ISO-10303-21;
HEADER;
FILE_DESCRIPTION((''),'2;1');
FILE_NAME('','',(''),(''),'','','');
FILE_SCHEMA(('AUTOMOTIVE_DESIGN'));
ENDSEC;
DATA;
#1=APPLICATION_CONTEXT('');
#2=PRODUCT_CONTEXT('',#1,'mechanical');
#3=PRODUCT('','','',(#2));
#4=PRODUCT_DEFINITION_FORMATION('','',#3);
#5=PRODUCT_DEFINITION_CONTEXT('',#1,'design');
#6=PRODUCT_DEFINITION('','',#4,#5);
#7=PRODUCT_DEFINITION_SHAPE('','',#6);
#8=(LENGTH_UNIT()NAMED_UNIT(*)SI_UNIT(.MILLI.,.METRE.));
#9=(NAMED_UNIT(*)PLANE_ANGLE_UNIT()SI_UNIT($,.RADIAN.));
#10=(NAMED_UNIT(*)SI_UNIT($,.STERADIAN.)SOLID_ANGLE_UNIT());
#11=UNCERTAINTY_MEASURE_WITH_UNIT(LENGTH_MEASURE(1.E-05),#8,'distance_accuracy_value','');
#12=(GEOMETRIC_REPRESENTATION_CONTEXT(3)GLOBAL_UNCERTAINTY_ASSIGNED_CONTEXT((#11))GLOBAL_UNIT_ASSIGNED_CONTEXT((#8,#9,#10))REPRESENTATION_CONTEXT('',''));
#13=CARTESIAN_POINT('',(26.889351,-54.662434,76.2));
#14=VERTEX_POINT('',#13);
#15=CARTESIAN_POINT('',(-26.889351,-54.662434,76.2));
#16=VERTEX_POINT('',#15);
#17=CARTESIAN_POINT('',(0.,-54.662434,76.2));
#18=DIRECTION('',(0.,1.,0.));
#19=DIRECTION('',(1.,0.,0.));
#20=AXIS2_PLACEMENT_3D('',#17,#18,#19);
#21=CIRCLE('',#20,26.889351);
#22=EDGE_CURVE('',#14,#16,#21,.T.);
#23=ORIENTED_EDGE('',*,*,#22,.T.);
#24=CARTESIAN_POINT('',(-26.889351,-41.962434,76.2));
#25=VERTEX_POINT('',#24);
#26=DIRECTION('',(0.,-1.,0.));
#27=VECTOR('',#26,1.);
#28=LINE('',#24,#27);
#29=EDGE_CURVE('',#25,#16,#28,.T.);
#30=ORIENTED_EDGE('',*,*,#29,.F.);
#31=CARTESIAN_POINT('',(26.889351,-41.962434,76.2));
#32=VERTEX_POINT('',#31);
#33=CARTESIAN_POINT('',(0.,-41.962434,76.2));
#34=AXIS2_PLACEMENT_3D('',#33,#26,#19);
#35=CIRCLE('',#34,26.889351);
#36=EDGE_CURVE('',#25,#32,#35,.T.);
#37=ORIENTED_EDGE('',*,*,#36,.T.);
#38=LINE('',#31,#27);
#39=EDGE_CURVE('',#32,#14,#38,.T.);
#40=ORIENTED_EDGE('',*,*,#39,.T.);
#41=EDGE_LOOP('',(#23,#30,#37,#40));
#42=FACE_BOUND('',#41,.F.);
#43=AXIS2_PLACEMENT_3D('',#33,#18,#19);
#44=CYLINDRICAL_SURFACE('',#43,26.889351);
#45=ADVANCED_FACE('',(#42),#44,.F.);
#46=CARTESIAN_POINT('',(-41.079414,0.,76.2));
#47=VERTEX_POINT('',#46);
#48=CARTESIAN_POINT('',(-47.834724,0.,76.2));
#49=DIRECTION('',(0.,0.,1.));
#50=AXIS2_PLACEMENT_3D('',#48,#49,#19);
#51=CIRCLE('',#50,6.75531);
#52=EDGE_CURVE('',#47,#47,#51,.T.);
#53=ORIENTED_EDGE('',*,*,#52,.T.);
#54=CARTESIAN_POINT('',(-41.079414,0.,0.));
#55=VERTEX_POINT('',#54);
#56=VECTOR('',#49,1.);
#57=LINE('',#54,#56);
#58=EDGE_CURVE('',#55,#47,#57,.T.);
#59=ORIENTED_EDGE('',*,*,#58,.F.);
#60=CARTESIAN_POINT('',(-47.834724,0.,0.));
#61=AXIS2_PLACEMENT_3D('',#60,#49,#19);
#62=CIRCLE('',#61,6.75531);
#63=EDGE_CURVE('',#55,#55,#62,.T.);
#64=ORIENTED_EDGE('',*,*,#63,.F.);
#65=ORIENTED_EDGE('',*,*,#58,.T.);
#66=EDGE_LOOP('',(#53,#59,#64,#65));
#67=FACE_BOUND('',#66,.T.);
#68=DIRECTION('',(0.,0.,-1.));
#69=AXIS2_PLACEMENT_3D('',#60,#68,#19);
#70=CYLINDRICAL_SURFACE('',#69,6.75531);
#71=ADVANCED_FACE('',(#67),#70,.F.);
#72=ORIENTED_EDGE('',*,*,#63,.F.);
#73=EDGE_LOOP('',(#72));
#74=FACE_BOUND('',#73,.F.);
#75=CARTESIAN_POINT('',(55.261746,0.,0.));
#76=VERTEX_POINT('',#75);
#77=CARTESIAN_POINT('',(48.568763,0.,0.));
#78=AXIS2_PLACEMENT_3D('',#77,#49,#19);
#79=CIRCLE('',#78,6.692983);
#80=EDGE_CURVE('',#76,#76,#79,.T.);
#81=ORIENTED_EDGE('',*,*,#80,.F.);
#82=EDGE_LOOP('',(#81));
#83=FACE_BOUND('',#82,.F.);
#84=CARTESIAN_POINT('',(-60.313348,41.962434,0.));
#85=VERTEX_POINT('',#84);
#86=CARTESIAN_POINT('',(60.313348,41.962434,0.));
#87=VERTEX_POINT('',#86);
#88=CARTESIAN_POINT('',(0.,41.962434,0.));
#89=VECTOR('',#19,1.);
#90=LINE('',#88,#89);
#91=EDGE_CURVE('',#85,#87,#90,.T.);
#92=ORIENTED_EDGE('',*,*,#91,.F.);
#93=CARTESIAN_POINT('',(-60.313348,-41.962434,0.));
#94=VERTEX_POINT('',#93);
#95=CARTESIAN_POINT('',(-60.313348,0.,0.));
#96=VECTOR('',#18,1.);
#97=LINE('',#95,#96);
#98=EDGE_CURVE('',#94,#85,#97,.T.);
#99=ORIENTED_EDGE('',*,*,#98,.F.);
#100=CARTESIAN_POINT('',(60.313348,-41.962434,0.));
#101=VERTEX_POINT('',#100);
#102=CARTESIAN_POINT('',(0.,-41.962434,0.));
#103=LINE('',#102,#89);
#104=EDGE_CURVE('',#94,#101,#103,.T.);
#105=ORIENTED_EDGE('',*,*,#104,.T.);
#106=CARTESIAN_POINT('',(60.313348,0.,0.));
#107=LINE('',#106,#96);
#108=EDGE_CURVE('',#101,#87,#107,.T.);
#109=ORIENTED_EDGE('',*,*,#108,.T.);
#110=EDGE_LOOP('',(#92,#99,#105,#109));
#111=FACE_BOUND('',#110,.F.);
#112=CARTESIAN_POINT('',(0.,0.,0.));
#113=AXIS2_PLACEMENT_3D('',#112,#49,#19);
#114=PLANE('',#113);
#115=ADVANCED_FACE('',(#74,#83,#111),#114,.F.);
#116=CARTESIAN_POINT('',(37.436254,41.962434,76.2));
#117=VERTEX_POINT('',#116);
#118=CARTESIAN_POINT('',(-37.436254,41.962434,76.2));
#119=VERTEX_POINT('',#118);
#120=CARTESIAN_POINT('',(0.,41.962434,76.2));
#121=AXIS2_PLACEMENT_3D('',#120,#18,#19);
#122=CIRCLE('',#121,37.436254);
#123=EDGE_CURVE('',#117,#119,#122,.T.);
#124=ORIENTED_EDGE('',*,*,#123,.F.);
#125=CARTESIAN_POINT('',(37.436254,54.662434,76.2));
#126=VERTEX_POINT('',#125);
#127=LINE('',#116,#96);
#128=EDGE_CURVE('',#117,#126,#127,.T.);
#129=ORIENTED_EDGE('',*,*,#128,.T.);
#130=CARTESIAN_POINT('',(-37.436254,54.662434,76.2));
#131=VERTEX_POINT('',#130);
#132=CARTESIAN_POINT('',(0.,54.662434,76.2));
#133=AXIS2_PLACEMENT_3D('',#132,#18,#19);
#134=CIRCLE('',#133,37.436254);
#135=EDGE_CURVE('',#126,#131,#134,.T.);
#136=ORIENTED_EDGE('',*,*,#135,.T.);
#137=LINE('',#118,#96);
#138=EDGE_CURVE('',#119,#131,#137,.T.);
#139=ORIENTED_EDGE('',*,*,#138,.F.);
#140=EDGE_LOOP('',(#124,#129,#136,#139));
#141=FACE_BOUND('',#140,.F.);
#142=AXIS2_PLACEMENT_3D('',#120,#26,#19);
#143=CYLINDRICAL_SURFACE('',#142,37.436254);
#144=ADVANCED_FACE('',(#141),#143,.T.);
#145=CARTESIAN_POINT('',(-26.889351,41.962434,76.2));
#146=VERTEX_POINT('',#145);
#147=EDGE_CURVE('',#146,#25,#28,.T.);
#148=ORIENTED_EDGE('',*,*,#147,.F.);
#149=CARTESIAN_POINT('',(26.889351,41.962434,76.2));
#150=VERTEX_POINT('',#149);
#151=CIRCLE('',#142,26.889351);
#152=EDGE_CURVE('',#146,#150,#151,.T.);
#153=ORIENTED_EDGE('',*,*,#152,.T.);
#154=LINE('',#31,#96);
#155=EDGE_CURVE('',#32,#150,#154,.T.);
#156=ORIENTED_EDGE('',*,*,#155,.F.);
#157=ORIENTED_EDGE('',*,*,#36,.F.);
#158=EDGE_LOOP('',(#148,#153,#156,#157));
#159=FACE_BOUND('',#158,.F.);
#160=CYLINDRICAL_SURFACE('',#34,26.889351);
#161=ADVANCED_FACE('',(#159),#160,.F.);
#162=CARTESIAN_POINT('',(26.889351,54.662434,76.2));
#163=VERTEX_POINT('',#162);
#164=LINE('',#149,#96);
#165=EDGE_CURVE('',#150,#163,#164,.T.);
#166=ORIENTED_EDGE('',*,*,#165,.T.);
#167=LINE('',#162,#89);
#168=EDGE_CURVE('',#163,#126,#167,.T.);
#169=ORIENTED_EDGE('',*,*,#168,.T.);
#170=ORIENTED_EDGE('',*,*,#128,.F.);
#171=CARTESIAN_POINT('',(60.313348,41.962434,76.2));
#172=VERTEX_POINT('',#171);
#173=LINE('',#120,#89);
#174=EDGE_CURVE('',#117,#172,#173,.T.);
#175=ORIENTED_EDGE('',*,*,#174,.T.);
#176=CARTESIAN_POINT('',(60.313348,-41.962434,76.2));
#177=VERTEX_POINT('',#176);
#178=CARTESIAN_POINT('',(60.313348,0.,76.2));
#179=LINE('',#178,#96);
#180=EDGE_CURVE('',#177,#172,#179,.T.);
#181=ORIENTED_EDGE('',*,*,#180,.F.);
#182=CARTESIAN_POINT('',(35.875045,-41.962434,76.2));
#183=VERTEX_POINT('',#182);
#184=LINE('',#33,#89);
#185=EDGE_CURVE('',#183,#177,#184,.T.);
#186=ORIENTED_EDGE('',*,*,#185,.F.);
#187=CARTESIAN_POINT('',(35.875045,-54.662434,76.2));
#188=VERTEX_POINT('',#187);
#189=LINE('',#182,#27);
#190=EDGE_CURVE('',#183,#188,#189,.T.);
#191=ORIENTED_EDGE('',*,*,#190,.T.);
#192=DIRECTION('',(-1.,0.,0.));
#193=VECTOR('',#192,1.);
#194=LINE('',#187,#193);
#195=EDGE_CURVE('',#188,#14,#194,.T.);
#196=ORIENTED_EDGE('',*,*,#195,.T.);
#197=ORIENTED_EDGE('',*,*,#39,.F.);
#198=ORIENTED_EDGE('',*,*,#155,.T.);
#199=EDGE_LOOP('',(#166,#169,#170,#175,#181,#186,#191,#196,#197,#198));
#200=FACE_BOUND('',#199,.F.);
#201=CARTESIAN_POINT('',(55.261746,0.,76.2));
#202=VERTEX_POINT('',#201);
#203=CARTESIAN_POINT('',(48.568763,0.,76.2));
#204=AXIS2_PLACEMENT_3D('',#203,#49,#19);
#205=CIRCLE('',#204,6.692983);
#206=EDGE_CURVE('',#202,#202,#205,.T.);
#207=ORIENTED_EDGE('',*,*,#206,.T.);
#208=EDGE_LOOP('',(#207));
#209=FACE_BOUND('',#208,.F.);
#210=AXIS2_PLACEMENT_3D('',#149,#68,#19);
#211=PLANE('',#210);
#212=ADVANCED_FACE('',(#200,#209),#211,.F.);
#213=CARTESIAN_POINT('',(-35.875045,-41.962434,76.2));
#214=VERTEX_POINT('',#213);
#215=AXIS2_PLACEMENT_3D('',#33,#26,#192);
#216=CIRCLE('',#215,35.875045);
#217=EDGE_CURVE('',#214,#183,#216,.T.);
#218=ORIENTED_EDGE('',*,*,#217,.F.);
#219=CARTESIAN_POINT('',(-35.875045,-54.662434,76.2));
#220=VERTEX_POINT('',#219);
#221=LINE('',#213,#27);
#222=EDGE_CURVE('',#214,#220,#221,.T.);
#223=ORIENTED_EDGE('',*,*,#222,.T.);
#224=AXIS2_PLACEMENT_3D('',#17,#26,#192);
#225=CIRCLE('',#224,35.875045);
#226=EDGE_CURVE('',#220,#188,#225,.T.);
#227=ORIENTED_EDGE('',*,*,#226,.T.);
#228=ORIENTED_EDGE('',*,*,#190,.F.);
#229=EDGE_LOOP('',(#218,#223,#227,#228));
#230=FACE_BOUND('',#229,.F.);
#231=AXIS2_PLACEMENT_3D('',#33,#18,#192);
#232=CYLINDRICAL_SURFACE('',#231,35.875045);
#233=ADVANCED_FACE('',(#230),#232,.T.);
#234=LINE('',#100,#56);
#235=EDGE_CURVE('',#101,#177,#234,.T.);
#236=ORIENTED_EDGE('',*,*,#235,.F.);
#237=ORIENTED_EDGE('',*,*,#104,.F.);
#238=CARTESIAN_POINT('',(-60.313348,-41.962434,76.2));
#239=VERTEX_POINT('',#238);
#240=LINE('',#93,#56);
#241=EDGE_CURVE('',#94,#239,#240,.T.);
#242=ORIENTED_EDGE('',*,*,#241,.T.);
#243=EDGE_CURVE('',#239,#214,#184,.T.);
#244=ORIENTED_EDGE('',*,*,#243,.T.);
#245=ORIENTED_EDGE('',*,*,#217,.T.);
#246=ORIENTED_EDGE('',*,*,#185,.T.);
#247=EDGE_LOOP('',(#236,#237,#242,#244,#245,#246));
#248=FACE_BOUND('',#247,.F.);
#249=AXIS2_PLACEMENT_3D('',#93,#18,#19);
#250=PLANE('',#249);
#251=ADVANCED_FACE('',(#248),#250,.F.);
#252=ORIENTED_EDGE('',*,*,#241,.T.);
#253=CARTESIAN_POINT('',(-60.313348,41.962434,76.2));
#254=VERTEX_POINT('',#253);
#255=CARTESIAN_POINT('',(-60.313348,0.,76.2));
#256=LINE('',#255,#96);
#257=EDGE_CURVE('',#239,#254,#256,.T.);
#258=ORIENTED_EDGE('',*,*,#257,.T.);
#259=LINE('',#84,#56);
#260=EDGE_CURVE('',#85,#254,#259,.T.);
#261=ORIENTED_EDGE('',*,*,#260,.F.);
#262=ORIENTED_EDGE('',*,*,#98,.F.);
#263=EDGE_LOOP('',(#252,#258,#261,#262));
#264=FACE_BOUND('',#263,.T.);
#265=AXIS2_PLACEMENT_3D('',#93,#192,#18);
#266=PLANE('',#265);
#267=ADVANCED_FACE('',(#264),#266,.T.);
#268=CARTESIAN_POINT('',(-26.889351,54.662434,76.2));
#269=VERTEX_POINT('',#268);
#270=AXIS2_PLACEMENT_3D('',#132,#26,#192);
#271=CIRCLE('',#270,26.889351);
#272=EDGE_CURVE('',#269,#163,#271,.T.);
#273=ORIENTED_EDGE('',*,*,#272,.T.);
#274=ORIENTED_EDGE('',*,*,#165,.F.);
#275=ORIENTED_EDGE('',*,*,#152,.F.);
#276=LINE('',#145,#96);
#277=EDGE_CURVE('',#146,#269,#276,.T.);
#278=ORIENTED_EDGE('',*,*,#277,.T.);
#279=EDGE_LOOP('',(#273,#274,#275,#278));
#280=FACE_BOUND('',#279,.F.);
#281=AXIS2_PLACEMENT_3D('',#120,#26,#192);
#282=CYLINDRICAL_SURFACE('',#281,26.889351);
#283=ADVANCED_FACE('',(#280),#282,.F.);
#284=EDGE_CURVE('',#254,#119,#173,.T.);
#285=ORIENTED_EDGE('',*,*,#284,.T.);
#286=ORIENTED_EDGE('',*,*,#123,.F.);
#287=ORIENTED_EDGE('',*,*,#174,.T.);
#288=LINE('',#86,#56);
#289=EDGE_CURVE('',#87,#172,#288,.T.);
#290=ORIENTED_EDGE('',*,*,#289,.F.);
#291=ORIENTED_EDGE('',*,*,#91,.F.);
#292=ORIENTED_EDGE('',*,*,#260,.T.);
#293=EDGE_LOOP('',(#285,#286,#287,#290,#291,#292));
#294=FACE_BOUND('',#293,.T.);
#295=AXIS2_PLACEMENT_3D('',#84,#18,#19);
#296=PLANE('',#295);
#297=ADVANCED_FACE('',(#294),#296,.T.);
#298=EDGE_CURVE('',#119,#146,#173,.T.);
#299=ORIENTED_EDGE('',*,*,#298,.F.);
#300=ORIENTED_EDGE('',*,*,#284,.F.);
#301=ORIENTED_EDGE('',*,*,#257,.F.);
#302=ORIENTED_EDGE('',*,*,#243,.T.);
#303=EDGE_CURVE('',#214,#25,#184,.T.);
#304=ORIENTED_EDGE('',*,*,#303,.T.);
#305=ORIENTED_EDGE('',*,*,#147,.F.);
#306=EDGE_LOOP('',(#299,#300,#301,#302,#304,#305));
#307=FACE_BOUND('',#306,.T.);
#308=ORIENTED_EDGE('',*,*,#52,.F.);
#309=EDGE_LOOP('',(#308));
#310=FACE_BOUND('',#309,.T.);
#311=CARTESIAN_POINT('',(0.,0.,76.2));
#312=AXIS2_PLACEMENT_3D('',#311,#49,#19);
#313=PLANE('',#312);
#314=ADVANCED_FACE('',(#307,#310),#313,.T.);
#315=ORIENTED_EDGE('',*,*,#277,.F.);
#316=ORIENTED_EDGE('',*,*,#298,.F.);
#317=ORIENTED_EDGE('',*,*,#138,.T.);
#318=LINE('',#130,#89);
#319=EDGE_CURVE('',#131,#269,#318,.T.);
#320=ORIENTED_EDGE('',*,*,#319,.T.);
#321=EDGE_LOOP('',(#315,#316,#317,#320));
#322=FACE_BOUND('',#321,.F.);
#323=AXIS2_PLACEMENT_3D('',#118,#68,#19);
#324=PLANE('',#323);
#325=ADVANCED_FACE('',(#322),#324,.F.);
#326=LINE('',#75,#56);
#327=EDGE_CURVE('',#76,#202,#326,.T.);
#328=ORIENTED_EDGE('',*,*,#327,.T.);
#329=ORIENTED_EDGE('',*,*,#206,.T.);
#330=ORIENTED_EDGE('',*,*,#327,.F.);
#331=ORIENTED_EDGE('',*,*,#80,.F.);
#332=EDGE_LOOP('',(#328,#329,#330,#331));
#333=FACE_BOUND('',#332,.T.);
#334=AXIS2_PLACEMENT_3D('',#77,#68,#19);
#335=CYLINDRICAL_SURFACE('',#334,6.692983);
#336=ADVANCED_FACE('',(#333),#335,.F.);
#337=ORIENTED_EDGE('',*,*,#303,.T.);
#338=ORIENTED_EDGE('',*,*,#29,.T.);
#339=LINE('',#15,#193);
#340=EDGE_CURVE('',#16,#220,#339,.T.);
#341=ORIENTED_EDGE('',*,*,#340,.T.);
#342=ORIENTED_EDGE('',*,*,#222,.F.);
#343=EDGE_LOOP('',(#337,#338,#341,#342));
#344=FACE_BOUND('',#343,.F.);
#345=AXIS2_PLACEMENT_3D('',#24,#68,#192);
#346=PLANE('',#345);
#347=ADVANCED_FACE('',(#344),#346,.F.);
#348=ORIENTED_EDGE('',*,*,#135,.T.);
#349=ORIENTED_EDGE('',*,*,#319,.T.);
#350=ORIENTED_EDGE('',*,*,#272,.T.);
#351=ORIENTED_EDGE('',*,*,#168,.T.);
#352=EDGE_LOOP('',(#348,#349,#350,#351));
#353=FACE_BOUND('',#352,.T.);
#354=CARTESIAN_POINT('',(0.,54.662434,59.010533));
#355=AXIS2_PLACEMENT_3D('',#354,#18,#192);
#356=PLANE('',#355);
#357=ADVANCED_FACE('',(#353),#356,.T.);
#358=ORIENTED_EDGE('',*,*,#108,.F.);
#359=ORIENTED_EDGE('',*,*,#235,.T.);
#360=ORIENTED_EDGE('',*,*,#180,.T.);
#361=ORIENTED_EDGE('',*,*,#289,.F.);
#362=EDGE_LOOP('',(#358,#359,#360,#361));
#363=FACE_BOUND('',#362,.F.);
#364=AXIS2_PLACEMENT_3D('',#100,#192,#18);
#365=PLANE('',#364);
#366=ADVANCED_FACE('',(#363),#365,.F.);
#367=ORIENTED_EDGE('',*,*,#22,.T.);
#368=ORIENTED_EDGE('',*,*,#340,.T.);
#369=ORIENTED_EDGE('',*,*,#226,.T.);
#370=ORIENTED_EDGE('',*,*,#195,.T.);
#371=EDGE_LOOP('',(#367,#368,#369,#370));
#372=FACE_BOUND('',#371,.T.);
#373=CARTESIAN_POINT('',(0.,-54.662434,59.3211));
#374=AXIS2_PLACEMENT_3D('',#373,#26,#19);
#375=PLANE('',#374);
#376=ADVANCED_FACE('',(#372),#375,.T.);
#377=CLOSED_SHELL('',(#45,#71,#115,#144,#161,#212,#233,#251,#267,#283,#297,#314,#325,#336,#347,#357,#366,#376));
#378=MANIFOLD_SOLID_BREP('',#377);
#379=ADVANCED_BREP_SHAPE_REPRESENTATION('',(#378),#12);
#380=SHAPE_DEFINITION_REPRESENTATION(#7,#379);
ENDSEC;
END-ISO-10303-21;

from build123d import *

# Parameters (mm, degrees)
F0_W     = 120.626696
F0_H     = 83.924868
F0_R     = 6.75531
F0_R_2   = 6.692983
F1_DEPTH = 76.2
F2_R     = 26.889351
F3_DEPTH = 101.6
F5_DEPTH = 12.7
F7_DEPTH = 12.7


with BuildPart() as f1:
    # F0 (on Top) → F1 (new body)
    with BuildSketch(Plane.XY):
        Rectangle(F0_W, F0_H)
        with Locations((-47.834724, 0)):
            Circle(F0_R, mode=Mode.SUBTRACT)
        with Locations((48.568763, 0)):
            Circle(F0_R_2, mode=Mode.SUBTRACT)
    extrude(amount=F1_DEPTH)

    # F2 (on face) → F3 (cut)
    with BuildSketch(Plane.XZ.offset(41.962434)):
        with Locations((0, 76.2)):
            Circle(F2_R)
    extrude(amount=-F3_DEPTH, mode=Mode.SUBTRACT)

    # F4 (on face) → F5 (join)
    with BuildSketch(Plane.XZ.offset(41.962434)):
        with BuildLine():
            Line((-26.889351, 76.2), (-35.875045, 76.2))
            ThreePointArc((-35.875045, 76.2), (0, 40.324955), (35.875045, 76.2))
            Line((35.875045, 76.2), (26.889351, 76.2))
            ThreePointArc((26.889351, 76.2), (0, 49.310649), (-26.889351, 76.2))
        make_face()
    extrude(amount=F5_DEPTH)

    # F6 (on face) → F7 (join)
    with BuildSketch(Plane(origin=(0, 41.962434, 0), x_dir=(-1, 0, 0), z_dir=(0, 1, 0))):
        with BuildLine():
            Line((-26.889351, 76.2), (-37.436254, 76.2))
            ThreePointArc((-37.436254, 76.2), (0, 38.763746), (37.436254, 76.2))
            Line((37.436254, 76.2), (26.889351, 76.2))
            ThreePointArc((26.889351, 76.2), (0, 49.310649), (-26.889351, 76.2))
        make_face()
    extrude(amount=F7_DEPTH)


solid = f1.part
